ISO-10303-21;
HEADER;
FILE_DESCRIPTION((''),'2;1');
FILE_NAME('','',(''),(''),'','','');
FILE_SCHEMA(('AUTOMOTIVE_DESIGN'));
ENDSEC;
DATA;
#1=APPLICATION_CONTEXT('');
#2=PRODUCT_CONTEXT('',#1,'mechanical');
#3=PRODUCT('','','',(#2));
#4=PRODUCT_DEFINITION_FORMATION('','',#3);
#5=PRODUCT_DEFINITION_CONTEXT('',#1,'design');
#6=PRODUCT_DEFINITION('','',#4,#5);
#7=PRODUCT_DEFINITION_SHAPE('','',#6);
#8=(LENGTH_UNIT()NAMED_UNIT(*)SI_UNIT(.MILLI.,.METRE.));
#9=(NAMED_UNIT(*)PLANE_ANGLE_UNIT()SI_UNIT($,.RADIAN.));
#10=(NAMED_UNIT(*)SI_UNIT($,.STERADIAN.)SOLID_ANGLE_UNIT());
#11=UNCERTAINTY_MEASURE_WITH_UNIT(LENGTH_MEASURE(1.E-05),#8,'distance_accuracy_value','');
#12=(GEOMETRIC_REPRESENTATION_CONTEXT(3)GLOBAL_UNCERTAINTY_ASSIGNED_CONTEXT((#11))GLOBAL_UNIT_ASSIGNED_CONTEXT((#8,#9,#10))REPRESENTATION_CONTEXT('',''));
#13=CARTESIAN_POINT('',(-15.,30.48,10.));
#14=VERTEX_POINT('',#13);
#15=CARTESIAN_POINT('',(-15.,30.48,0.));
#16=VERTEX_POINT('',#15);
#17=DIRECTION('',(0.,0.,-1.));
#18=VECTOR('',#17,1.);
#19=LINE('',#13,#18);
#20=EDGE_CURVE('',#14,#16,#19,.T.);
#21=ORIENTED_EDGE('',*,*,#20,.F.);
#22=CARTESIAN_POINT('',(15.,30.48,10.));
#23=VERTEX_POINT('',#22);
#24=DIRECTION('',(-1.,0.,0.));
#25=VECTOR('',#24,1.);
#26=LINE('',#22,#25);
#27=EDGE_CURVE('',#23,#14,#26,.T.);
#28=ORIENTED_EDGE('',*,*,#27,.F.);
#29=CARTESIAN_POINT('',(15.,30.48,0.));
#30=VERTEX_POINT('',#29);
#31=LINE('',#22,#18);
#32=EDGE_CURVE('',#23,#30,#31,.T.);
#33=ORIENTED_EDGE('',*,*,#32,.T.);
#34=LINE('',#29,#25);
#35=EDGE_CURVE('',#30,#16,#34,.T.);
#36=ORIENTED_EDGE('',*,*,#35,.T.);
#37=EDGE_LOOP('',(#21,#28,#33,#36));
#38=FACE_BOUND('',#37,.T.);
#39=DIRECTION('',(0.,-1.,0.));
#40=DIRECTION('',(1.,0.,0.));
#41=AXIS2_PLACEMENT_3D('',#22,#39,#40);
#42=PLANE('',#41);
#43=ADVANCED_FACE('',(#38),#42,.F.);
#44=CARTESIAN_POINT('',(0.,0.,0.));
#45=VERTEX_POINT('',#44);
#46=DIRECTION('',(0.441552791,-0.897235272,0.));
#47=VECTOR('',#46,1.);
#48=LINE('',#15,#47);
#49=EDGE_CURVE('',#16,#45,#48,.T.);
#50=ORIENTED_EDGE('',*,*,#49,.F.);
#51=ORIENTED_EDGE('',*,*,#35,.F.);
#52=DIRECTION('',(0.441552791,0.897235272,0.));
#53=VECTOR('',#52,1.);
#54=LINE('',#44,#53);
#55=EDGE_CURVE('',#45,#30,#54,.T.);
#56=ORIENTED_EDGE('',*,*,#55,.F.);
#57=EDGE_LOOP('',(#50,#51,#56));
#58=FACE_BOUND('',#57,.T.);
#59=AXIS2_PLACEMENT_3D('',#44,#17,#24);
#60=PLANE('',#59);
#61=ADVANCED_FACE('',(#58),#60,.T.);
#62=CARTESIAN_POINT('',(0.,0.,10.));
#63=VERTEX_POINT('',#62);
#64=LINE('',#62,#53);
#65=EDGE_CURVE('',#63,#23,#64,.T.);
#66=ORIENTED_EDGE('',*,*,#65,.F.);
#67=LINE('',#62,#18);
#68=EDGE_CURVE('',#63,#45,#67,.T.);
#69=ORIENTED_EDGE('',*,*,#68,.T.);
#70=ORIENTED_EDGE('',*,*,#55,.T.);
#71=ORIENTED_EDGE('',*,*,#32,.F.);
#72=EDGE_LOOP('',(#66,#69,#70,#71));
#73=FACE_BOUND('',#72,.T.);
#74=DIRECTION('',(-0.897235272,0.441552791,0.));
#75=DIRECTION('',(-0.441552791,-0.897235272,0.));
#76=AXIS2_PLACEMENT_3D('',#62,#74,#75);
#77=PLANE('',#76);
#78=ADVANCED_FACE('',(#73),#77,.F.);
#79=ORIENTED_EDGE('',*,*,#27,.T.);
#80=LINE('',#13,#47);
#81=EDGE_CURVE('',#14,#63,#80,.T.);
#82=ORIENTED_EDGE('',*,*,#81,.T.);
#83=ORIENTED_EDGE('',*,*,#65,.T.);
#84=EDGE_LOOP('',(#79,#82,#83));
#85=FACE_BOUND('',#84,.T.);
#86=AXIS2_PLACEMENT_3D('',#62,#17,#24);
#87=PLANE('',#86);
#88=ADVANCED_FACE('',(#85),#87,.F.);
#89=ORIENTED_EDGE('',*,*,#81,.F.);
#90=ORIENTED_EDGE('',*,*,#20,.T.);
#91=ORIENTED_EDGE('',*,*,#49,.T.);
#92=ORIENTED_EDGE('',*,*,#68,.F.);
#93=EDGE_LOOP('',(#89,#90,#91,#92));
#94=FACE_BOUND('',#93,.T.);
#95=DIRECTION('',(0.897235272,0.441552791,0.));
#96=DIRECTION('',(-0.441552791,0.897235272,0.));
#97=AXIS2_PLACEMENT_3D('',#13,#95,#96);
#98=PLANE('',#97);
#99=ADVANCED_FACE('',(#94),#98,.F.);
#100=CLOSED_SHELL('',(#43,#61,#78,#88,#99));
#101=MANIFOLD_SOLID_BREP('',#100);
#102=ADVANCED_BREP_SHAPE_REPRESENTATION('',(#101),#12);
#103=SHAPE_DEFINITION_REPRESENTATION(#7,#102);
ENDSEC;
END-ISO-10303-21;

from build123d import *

# Parameters (mm, degrees)
BOSS_EXTRUDE2_DEPTH = 10


with BuildPart() as part:
    # Sketch2 → Boss-Extrude2 (new body)
    with BuildSketch(Plane.XY):
        Polygon((0, 0), (15, 30.48), (-15, 30.48), align=None)
    extrude(amount=BOSS_EXTRUDE2_DEPTH)


solid = part.part
